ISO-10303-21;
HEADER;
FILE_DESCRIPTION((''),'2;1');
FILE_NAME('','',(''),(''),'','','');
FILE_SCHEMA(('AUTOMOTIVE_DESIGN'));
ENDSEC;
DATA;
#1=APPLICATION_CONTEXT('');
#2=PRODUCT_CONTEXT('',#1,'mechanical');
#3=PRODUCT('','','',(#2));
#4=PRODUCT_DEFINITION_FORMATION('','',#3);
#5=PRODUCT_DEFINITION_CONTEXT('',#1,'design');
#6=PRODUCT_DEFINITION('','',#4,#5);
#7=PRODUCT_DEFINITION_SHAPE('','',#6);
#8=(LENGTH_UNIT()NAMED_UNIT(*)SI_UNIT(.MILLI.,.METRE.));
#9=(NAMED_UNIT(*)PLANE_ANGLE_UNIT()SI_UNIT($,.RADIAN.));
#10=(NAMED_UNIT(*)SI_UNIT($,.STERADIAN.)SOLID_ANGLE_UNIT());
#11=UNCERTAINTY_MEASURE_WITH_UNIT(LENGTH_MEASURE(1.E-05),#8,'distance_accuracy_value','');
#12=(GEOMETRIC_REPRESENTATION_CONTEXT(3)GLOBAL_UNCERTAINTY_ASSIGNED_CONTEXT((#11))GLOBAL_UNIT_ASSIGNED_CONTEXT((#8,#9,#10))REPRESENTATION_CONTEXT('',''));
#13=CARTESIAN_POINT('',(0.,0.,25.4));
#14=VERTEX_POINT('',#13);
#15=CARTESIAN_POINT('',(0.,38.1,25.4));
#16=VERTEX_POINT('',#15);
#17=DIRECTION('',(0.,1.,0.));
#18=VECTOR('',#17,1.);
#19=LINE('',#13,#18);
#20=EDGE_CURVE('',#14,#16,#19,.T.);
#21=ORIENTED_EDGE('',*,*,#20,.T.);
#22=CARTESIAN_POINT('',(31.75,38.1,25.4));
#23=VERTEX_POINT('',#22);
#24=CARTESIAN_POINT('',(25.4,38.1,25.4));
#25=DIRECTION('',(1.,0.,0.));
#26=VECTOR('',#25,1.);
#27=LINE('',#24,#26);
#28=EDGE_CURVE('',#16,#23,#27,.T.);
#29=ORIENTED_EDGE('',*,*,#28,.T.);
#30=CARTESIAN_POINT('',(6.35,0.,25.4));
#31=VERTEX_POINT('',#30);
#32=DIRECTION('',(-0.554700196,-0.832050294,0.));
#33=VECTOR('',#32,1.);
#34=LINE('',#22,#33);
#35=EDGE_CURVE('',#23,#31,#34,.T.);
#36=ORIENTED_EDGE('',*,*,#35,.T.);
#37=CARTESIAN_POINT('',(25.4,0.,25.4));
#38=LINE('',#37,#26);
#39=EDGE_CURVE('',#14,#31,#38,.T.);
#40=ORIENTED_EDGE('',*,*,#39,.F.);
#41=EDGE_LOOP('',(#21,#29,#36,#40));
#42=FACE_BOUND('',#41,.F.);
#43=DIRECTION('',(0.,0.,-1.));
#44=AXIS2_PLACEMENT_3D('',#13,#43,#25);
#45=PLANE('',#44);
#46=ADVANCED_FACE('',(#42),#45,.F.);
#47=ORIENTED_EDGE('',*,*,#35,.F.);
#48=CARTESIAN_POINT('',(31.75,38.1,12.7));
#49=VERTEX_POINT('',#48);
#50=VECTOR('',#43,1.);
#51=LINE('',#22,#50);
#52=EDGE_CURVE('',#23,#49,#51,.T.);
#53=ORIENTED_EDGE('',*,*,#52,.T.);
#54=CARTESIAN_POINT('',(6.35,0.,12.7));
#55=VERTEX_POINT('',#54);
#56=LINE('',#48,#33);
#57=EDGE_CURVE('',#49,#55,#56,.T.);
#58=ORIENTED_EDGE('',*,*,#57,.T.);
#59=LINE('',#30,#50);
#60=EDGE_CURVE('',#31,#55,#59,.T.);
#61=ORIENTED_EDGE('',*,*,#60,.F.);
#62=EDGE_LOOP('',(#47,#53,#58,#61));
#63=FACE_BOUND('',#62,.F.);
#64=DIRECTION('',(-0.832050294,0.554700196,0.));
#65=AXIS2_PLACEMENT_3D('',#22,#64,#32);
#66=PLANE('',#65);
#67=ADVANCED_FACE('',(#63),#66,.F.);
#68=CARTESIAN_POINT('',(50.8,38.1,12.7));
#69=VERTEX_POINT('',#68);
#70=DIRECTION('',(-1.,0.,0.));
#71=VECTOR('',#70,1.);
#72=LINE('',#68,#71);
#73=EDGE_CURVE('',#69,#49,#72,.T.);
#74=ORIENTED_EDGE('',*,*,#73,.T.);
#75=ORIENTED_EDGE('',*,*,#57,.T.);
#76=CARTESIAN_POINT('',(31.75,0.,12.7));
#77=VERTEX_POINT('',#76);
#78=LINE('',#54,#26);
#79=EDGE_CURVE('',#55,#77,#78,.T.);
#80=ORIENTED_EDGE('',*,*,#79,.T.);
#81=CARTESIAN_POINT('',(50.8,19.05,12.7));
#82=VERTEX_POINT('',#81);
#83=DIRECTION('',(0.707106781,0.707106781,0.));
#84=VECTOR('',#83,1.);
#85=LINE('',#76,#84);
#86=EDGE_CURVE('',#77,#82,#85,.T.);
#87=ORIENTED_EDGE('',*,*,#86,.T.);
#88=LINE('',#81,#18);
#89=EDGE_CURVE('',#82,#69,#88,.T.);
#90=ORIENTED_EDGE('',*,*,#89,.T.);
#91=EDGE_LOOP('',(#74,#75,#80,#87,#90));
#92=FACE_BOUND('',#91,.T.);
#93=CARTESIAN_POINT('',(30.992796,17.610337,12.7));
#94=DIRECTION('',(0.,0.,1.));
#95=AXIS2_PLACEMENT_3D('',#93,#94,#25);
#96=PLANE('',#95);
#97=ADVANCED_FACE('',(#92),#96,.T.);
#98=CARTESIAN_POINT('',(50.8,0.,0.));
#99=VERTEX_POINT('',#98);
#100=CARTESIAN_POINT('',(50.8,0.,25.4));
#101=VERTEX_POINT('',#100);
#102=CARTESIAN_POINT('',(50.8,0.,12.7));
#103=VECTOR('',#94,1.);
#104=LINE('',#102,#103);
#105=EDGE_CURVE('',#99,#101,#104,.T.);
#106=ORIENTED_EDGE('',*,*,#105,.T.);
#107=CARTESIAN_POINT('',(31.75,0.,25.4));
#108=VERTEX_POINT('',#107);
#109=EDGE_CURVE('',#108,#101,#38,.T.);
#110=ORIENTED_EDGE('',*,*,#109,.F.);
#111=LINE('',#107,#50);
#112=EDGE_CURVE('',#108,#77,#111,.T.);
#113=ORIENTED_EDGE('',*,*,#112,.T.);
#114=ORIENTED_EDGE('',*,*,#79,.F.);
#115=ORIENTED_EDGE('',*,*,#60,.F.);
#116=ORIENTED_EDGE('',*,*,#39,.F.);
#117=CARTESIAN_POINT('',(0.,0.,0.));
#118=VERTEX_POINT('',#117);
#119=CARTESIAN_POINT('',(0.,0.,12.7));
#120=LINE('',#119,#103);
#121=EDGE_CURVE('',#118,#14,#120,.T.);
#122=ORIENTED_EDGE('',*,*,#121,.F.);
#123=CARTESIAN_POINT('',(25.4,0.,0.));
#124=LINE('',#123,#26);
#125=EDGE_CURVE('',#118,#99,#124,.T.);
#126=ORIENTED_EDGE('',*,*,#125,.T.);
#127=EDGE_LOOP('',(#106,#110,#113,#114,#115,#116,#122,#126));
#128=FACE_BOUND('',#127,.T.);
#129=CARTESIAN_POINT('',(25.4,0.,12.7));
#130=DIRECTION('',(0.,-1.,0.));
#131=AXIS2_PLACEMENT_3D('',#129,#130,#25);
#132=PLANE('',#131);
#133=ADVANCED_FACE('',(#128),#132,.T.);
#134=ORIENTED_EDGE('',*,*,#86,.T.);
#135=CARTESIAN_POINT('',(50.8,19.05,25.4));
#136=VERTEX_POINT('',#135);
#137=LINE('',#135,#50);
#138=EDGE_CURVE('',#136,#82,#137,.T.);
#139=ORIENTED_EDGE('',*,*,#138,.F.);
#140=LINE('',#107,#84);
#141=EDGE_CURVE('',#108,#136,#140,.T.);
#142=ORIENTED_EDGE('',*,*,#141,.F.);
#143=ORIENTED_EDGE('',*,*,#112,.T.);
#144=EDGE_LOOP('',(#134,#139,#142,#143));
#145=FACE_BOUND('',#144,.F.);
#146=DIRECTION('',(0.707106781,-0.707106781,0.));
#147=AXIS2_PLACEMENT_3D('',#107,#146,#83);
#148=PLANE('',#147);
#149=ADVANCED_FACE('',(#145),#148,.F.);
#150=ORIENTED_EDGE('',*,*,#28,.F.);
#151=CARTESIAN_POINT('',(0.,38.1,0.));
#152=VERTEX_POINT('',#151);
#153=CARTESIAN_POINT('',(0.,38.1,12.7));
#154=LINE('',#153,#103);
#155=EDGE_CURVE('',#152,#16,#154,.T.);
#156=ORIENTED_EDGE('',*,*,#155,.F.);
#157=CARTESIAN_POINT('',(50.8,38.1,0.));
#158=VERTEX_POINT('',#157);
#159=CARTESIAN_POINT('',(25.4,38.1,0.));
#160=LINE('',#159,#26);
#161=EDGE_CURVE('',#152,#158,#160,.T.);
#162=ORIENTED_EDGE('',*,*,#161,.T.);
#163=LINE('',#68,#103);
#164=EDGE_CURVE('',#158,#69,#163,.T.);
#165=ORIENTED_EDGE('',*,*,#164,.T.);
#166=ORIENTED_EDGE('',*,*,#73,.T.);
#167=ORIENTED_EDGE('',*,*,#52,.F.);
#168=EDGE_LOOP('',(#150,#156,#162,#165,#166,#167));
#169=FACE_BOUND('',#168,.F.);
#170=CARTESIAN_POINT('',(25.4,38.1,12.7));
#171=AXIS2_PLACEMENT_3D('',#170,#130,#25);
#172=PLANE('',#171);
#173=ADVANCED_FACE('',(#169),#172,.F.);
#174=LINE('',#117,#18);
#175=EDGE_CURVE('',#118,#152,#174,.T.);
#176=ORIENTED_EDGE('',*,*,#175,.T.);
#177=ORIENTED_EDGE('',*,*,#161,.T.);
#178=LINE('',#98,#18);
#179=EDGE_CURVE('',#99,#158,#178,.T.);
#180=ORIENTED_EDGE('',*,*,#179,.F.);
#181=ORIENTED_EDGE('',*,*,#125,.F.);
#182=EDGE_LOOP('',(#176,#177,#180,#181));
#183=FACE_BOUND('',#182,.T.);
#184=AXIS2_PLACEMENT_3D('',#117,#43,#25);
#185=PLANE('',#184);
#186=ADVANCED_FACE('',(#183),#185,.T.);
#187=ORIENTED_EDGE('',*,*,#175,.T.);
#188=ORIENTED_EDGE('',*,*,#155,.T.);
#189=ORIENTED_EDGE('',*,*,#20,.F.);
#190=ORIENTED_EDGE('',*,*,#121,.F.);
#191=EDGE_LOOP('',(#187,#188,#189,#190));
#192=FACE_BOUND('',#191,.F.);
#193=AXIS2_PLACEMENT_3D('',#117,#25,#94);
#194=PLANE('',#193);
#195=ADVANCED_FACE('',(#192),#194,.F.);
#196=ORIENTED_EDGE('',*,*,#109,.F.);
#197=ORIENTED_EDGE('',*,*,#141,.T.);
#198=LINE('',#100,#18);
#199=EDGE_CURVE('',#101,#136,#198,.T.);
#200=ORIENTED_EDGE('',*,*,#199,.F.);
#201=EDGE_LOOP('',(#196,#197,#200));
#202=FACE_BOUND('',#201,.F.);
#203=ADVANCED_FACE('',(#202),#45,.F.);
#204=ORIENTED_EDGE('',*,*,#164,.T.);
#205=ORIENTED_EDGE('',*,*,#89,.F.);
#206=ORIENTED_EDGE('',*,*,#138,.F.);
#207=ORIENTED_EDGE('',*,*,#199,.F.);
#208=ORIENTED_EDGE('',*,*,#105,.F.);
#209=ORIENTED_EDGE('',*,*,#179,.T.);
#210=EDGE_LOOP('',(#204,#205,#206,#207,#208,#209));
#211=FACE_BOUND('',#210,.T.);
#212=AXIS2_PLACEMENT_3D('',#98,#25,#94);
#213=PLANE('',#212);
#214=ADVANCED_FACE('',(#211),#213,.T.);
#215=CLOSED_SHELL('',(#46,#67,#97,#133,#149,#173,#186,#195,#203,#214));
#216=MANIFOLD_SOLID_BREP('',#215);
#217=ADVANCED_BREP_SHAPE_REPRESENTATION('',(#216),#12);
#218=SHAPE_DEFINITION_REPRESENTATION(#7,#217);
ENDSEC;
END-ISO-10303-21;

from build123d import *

# Parameters (mm, degrees)
F0_W     = 50.8
F0_H     = 25.4
F1_DEPTH = 38.1
F3_DEPTH = 12.7


with BuildPart() as f1:
    # F0 (on Front) → F1 (new body)
    with BuildSketch(Plane.XZ):
        with Locations((25.4, 12.7)):
            Rectangle(F0_W, F0_H)
    extrude(amount=-F1_DEPTH)

    # F2 (on face) → F3 (cut)
    with BuildSketch(Plane.XY.offset(25.4)):
        Polygon((31.75, 38.1), (6.35, 0), (31.75, 0), (50.8, 19.05), (50.8, 38.1), align=None)
    extrude(amount=-F3_DEPTH, mode=Mode.SUBTRACT)


solid = f1.part
